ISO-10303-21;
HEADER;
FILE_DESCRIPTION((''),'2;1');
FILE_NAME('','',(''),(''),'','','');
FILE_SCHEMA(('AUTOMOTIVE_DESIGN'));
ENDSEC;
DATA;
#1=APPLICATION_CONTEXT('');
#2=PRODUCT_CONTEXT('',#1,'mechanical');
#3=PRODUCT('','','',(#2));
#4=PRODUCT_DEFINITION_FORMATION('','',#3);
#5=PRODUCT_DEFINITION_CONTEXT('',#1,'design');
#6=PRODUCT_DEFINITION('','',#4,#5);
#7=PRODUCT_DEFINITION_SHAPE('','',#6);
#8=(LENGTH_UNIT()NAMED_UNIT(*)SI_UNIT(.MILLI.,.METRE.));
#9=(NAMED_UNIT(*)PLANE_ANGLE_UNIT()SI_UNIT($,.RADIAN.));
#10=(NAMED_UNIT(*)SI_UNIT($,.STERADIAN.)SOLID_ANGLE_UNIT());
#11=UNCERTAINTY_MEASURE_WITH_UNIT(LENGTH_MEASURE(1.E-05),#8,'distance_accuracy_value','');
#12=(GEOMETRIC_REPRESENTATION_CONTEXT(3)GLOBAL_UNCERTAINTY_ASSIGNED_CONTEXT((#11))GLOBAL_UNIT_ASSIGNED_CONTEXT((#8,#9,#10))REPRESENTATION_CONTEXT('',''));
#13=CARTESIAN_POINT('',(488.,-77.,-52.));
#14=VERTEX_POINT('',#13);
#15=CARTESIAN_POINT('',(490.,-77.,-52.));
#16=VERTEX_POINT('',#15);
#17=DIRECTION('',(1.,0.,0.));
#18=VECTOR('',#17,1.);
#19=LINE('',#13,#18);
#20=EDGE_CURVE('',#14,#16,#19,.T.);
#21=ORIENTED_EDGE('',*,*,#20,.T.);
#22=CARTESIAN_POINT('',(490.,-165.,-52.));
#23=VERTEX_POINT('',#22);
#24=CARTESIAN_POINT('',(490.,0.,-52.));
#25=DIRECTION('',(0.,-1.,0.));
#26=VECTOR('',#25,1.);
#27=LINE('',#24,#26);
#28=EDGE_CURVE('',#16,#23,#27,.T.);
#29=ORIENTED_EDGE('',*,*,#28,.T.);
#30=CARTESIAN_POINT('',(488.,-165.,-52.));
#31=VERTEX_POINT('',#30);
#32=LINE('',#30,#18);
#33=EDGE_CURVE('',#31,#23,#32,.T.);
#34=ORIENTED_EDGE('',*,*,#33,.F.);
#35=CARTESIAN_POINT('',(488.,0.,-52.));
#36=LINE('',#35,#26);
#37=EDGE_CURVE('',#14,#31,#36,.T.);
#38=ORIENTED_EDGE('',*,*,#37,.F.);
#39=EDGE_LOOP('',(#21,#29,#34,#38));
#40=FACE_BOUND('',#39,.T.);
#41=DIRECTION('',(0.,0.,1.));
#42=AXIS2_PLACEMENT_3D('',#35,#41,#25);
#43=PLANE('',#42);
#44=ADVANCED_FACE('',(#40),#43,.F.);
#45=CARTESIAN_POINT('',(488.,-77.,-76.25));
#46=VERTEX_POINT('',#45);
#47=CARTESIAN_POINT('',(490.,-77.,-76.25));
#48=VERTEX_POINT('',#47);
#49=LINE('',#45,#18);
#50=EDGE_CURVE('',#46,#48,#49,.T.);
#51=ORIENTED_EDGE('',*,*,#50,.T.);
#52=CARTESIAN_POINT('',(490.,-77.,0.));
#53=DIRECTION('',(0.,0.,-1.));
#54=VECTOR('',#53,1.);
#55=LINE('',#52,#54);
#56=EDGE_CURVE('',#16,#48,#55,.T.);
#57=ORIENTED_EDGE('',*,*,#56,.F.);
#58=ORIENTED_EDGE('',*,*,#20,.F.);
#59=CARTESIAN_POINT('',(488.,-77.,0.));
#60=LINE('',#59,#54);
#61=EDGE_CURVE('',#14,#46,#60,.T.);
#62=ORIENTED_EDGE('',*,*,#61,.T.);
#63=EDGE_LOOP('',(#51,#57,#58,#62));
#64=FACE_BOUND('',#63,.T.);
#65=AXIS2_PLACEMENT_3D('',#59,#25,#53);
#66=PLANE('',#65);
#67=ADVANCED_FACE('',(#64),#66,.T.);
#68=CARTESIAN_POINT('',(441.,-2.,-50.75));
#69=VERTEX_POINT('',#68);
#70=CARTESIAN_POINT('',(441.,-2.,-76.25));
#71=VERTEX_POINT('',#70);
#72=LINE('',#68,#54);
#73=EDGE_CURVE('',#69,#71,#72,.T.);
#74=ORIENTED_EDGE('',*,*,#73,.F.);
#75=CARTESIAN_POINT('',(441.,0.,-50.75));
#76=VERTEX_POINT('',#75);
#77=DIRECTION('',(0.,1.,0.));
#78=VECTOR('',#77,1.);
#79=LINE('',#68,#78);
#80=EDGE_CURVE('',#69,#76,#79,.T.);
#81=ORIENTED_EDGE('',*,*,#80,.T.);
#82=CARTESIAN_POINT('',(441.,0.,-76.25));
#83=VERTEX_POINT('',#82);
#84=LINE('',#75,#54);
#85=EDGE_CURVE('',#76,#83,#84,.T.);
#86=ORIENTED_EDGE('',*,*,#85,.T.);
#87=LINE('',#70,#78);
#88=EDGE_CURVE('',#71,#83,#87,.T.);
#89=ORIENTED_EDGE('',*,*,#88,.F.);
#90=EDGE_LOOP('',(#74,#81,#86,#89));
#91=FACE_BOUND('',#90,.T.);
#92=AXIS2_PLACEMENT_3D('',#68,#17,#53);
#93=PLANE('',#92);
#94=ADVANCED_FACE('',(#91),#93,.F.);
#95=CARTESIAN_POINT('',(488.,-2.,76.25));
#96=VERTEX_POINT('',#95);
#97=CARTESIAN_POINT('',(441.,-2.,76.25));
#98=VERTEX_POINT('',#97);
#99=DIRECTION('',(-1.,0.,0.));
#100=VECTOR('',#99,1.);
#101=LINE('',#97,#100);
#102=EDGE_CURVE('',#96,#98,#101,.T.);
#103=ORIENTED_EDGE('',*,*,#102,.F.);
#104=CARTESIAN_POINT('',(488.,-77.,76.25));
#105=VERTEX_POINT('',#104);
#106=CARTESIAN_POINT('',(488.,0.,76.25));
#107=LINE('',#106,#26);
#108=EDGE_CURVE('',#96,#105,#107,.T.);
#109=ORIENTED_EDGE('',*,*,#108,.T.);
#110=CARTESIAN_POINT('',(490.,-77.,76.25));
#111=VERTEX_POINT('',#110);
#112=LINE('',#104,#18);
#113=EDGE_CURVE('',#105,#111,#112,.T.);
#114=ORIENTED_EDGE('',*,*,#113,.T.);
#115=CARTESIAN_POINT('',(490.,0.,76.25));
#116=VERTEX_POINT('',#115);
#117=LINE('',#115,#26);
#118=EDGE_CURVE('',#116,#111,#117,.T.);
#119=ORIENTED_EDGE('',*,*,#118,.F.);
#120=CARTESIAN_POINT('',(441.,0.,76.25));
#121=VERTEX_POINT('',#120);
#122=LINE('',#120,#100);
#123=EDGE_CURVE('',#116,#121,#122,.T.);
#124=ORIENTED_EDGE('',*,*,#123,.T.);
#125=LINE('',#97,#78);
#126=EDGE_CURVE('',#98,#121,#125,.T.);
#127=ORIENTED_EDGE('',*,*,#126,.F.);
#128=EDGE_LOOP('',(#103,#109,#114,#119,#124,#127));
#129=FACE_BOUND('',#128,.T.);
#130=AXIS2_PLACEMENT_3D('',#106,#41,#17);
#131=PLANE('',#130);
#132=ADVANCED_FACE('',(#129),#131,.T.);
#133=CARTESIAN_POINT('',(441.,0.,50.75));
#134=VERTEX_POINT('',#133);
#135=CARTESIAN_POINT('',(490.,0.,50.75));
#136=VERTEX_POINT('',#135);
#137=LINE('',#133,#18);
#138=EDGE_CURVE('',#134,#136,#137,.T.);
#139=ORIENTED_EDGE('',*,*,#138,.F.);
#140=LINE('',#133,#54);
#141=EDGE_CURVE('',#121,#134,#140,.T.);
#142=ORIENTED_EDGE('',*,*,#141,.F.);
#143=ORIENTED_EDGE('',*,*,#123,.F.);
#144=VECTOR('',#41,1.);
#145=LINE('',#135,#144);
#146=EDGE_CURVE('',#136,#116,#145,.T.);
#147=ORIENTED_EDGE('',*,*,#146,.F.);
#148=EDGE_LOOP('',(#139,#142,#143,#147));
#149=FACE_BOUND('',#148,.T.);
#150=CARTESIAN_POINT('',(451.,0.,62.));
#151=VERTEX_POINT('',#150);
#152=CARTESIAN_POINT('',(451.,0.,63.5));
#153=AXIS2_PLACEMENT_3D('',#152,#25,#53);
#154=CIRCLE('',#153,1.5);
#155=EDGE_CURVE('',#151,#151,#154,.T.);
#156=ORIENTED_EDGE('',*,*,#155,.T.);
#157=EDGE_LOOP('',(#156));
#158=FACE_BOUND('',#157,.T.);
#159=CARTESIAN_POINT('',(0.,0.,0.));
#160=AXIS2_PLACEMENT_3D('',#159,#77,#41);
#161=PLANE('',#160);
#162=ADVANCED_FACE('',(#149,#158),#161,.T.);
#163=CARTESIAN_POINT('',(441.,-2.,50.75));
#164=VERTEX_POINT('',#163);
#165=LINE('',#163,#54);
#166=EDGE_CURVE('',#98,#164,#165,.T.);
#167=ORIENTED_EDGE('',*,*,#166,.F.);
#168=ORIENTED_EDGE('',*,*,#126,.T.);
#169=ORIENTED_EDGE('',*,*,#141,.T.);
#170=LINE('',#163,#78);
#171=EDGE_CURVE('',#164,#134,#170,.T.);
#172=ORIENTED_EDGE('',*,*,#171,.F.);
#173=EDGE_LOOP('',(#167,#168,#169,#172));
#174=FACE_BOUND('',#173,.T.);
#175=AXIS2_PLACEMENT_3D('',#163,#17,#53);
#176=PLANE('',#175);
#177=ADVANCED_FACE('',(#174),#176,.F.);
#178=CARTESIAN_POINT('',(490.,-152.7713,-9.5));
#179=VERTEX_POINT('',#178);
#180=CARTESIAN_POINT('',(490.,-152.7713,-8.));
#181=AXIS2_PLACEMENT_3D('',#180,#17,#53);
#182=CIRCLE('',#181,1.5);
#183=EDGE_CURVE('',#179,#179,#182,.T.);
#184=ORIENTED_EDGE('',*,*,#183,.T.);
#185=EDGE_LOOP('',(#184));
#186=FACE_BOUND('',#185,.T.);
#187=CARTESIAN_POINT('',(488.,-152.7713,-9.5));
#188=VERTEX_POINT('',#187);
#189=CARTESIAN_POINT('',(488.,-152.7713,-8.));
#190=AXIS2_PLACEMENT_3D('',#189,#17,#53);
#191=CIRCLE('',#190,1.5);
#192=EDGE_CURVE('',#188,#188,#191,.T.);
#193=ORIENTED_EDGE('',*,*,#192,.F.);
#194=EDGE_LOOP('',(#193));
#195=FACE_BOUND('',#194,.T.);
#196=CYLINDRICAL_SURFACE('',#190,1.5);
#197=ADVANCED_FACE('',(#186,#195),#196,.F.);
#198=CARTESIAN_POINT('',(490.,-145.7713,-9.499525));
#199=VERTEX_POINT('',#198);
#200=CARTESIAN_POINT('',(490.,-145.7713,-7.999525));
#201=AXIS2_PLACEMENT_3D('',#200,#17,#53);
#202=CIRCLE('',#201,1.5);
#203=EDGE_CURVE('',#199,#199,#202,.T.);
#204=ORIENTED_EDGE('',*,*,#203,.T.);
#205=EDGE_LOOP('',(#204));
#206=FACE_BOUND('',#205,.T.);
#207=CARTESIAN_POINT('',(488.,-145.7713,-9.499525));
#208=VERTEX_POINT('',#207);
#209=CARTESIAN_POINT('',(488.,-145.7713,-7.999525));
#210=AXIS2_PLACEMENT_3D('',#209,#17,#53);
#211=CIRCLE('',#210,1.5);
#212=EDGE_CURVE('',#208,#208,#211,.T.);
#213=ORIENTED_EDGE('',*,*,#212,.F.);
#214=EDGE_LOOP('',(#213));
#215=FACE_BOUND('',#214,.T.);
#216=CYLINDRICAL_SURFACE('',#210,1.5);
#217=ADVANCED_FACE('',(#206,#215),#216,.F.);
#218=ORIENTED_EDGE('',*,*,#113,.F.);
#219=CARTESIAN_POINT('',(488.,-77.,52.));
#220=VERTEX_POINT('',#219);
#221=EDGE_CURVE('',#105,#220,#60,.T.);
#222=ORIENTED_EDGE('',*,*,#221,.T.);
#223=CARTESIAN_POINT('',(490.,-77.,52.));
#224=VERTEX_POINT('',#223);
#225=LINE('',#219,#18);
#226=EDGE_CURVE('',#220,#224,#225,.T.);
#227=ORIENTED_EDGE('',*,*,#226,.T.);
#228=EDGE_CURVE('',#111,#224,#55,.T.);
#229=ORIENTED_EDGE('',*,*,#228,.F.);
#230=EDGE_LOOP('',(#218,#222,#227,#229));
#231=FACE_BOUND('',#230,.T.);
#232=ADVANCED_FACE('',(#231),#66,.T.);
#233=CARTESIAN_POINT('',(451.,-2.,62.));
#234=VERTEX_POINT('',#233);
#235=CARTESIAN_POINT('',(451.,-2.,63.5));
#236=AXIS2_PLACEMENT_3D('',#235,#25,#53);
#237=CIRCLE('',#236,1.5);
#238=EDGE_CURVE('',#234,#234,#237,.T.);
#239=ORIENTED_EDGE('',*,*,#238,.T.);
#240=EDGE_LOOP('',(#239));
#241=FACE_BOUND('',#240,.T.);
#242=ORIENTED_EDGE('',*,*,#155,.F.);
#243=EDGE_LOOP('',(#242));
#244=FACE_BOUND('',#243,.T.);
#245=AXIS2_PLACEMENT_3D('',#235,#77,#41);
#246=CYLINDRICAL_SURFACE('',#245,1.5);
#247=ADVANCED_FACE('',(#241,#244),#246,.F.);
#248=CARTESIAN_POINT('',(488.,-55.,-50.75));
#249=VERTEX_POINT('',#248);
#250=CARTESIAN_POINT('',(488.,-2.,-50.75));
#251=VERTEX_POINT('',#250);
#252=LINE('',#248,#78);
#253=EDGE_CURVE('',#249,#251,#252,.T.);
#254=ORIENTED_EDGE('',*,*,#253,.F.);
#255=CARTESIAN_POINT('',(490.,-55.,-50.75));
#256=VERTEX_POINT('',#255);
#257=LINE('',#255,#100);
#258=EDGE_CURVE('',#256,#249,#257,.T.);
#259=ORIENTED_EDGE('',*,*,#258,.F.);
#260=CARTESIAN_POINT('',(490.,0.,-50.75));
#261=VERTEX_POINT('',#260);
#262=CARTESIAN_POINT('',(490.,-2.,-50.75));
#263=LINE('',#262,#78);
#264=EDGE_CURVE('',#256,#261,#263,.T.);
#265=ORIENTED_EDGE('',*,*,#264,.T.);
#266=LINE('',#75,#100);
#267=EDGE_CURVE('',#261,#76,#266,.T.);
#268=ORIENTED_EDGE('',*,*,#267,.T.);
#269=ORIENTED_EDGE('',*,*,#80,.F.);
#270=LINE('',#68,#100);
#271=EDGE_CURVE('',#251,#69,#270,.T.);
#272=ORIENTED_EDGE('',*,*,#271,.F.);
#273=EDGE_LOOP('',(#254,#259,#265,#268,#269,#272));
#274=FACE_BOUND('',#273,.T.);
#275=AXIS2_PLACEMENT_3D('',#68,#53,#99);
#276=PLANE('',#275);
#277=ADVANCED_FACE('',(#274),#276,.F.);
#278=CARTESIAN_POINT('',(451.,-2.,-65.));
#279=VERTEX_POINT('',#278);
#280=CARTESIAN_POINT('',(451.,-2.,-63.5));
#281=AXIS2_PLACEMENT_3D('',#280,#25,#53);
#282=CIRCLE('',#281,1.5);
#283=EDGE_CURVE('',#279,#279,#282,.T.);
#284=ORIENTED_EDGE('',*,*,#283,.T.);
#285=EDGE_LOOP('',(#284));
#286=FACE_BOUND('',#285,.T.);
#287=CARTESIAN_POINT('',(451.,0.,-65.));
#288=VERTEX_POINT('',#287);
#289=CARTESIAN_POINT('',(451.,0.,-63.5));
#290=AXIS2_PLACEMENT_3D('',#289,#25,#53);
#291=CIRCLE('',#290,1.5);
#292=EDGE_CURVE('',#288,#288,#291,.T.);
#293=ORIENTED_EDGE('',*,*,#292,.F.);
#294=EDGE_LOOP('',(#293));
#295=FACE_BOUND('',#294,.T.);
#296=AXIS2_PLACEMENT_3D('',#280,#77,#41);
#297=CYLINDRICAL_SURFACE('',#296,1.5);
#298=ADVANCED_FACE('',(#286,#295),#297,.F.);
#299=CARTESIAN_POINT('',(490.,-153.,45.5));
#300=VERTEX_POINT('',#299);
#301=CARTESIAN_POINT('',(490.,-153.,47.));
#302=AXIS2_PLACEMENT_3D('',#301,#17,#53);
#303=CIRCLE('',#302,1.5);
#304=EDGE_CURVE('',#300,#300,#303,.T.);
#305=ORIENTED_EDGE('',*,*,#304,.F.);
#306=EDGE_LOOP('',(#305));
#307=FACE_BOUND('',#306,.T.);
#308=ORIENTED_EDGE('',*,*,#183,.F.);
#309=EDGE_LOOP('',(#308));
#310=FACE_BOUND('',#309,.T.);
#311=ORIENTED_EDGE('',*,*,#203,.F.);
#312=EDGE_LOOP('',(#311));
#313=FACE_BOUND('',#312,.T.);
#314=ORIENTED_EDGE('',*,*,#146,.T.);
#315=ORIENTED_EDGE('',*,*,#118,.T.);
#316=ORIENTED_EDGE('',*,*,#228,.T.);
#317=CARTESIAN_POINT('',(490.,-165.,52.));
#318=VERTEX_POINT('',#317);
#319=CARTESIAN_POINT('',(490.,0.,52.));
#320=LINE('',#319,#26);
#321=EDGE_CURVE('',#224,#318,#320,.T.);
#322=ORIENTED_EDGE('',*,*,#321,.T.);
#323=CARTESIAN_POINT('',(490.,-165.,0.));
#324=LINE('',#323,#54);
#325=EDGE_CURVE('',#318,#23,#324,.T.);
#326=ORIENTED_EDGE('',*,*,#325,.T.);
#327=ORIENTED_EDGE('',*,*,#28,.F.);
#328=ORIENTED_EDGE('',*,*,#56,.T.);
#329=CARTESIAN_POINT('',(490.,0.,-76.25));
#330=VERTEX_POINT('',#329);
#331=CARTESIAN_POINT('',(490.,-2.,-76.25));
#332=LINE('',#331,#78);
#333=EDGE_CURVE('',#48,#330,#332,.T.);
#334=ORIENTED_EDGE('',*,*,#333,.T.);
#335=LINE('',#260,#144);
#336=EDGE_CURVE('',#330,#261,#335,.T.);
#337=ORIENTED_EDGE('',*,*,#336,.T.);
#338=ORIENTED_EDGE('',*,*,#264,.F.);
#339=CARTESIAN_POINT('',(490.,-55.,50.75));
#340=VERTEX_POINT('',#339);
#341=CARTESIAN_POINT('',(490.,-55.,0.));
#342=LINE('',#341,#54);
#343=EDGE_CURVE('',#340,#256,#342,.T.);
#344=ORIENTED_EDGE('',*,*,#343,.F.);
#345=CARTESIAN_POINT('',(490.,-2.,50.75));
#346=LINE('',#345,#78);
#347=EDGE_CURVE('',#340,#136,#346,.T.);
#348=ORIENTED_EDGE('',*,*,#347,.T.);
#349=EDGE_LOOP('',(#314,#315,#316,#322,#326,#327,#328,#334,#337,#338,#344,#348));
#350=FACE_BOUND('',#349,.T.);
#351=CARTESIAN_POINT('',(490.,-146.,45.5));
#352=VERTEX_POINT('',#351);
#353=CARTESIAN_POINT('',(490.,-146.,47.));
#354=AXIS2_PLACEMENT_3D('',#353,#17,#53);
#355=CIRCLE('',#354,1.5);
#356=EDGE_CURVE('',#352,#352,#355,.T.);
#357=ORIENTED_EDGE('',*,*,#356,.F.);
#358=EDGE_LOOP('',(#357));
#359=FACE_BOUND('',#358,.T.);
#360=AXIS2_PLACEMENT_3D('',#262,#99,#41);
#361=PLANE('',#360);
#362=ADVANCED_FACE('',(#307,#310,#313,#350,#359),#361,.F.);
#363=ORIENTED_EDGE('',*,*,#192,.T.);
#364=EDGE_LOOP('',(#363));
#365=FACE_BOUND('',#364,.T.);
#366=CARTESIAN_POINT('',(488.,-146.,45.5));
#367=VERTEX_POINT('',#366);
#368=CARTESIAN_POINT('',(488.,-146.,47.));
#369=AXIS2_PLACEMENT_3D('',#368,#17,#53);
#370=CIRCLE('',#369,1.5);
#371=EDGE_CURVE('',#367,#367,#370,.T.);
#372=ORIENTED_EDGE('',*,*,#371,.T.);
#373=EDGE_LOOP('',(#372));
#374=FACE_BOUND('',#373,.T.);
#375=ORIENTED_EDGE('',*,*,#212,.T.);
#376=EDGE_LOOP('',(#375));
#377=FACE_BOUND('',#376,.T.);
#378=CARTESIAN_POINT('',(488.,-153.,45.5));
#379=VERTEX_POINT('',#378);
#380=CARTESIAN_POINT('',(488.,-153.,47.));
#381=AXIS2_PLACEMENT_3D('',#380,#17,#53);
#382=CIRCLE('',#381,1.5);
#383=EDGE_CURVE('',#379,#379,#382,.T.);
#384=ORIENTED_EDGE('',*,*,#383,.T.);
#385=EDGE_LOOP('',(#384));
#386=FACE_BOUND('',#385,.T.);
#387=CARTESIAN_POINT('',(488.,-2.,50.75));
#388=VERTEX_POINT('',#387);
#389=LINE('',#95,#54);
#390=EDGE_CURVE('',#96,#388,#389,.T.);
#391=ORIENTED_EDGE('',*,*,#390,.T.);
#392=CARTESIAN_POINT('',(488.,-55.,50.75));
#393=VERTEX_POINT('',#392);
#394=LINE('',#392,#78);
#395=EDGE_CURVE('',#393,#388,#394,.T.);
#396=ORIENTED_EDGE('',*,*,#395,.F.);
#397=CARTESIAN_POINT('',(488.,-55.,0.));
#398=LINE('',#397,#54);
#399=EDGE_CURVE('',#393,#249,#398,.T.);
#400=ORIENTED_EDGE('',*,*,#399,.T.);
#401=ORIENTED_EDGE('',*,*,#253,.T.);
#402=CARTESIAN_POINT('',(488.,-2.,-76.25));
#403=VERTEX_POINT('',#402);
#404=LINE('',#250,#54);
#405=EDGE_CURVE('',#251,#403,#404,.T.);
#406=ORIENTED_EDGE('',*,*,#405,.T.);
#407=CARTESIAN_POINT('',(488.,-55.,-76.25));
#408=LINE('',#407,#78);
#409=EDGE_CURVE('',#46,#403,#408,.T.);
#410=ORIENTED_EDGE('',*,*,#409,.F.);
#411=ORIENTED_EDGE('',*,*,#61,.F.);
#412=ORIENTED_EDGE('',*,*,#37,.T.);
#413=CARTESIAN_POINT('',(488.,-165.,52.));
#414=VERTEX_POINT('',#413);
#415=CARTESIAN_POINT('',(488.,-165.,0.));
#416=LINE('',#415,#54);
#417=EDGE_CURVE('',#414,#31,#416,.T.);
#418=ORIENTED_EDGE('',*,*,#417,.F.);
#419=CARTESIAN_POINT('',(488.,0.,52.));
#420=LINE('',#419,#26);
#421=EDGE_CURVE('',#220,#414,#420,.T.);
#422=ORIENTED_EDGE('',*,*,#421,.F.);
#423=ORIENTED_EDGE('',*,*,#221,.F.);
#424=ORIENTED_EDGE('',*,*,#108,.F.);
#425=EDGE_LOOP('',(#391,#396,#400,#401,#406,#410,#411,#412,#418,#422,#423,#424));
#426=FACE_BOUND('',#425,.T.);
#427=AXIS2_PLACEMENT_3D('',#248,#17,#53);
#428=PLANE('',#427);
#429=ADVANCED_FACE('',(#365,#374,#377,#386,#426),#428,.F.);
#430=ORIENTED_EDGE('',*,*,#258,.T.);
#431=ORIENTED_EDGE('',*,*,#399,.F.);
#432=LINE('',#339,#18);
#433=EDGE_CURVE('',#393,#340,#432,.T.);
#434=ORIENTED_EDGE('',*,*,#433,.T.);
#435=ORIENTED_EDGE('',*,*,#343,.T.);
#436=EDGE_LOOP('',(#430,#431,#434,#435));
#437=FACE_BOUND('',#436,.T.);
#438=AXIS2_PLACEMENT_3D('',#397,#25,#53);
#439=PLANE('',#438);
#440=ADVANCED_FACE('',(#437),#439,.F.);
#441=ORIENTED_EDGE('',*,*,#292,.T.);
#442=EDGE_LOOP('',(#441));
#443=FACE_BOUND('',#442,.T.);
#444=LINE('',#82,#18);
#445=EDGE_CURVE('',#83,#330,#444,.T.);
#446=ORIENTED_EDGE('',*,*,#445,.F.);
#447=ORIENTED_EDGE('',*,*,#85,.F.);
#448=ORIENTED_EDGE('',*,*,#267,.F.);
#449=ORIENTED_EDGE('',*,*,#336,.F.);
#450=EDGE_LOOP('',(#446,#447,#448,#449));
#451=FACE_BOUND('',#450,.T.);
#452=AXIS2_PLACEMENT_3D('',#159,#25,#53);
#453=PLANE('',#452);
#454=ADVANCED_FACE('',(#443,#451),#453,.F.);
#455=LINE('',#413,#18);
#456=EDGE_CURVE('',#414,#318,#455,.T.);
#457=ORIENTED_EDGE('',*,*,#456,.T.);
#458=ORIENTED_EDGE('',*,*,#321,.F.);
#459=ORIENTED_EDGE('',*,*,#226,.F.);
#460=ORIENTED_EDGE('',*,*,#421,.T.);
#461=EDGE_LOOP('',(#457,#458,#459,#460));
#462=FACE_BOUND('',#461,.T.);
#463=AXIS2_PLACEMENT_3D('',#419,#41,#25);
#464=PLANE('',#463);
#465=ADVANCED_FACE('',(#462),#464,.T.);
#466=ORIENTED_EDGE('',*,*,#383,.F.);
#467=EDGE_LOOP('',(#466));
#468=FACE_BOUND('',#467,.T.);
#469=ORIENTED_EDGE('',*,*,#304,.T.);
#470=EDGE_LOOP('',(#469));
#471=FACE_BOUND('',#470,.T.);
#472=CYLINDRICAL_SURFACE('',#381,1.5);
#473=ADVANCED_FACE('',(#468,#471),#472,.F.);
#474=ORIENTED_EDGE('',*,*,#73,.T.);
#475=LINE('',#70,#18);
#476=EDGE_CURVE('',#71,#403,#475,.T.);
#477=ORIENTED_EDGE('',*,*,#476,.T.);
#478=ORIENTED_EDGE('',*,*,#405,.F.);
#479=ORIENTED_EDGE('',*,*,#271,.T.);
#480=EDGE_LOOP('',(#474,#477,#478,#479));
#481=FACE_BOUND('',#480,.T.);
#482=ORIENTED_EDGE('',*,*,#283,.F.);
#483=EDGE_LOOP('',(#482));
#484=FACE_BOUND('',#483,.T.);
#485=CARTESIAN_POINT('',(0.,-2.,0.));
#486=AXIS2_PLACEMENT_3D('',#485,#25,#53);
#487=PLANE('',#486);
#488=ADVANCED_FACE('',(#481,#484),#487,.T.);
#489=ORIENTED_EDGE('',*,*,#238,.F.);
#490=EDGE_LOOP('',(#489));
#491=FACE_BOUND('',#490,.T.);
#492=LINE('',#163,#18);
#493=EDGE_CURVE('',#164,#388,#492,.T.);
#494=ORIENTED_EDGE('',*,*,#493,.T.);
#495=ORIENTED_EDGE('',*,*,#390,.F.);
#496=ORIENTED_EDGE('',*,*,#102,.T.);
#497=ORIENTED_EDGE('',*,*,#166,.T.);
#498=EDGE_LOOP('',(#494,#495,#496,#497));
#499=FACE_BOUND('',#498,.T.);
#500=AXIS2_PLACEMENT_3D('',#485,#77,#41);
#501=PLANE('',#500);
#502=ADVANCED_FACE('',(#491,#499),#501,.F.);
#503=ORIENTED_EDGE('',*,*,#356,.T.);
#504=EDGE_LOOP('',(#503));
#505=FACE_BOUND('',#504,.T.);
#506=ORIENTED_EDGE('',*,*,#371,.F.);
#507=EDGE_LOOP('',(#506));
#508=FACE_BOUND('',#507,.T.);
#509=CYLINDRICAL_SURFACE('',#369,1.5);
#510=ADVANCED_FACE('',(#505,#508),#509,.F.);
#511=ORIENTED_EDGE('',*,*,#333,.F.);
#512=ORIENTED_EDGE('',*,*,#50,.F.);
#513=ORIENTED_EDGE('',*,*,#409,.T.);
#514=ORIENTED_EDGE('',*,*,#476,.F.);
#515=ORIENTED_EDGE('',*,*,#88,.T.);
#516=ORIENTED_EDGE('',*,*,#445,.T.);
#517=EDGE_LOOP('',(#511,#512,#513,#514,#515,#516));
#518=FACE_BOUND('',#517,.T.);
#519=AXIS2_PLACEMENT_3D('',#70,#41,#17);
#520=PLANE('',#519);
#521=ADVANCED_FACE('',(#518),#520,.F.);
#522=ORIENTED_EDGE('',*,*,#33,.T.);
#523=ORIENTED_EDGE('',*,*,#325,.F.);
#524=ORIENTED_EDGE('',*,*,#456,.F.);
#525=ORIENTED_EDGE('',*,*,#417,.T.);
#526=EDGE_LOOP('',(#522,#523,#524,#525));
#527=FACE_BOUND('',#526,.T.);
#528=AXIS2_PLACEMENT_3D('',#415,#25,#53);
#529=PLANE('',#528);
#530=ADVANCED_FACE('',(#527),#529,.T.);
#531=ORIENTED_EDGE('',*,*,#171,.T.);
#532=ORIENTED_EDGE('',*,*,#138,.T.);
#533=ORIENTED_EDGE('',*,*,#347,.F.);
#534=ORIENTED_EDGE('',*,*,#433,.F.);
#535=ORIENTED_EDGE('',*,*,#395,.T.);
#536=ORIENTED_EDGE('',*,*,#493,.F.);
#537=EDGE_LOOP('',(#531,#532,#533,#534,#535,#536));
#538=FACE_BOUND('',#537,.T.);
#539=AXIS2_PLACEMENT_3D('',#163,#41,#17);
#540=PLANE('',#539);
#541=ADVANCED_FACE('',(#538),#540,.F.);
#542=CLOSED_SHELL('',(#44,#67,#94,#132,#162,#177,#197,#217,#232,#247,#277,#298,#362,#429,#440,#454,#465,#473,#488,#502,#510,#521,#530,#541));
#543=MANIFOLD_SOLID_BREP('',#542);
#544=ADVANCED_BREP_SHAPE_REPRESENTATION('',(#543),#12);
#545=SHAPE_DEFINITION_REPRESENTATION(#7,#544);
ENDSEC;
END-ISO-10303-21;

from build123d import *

# Parameters (mm, degrees)
SKETCH2_W             = 49
SKETCH2_H             = 25.5
SKETCH2_R             = 1.5
BOSS_EXTRUDE1_DEPTH   = 2
BOSS_EXTRUDE1_2_DEPTH = 2
SKETCH3_W             = 2
SKETCH3_H             = 25.5
BOSS_EXTRUDE2_DEPTH   = 53
SKETCH4_W             = 152.5
SKETCH4_H             = 22
SKETCH4_W_2           = 104
SKETCH4_H_2           = 88
SKETCH4_R             = 1.5
BOSS_EXTRUDE3_DEPTH   = 2


with BuildPart() as part:
    # Sketch2 → Boss-Extrude1 (new body)
    with BuildSketch(Plane.XZ):
        with Locations((465.5, -63.5)):
            Rectangle(SKETCH2_W, SKETCH2_H)
        with Locations((451, -63.5)):
            Circle(SKETCH2_R, mode=Mode.SUBTRACT)
    extrude(amount=BOSS_EXTRUDE1_DEPTH)



with BuildPart() as body_2:
    # Sketch2 → Boss-Extrude1 2 (new body)
    with BuildSketch(Plane.XZ):
        with Locations((465.5, 63.5)):
            Rectangle(SKETCH2_W, SKETCH2_H)
        with Locations((451, 63.5)):
            Circle(SKETCH2_R, mode=Mode.SUBTRACT)
    extrude(amount=BOSS_EXTRUDE1_2_DEPTH)


with BuildPart() as part_1:
    add(part.part)

    add(body_2.part)  # Boss-Extrude2 merges body 2
    # Sketch3 → Boss-Extrude2 (add)
    with BuildSketch(Plane.XZ.offset(2)):
        with Locations((489, 63.5)):
            Rectangle(SKETCH3_W, SKETCH3_H)
        with Locations((489, -63.5)):
            Rectangle(SKETCH3_W, SKETCH3_H)
    extrude(amount=BOSS_EXTRUDE2_DEPTH)

    # Sketch4 → Boss-Extrude3 (add)
    with BuildSketch(Plane(origin=(490, 0, 0), x_dir=(0, 0, -1), z_dir=(1, 0, 0))):
        with Locations((0, -66)):
            Rectangle(SKETCH4_W, SKETCH4_H)
        with Locations((0, -121)):
            Rectangle(SKETCH4_W_2, SKETCH4_H_2)
        with Locations((-47, -146)):
            Circle(SKETCH4_R, mode=Mode.SUBTRACT)
        with Locations((-47, -153)):
            Circle(SKETCH4_R, mode=Mode.SUBTRACT)
        with Locations((7.999524512, -145.771300426)):
            Circle(SKETCH4_R, mode=Mode.SUBTRACT)
        with Locations((8, -152.77130041)):
            Circle(SKETCH4_R, mode=Mode.SUBTRACT)
    extrude(amount=-BOSS_EXTRUDE3_DEPTH)


solid = part_1.part
